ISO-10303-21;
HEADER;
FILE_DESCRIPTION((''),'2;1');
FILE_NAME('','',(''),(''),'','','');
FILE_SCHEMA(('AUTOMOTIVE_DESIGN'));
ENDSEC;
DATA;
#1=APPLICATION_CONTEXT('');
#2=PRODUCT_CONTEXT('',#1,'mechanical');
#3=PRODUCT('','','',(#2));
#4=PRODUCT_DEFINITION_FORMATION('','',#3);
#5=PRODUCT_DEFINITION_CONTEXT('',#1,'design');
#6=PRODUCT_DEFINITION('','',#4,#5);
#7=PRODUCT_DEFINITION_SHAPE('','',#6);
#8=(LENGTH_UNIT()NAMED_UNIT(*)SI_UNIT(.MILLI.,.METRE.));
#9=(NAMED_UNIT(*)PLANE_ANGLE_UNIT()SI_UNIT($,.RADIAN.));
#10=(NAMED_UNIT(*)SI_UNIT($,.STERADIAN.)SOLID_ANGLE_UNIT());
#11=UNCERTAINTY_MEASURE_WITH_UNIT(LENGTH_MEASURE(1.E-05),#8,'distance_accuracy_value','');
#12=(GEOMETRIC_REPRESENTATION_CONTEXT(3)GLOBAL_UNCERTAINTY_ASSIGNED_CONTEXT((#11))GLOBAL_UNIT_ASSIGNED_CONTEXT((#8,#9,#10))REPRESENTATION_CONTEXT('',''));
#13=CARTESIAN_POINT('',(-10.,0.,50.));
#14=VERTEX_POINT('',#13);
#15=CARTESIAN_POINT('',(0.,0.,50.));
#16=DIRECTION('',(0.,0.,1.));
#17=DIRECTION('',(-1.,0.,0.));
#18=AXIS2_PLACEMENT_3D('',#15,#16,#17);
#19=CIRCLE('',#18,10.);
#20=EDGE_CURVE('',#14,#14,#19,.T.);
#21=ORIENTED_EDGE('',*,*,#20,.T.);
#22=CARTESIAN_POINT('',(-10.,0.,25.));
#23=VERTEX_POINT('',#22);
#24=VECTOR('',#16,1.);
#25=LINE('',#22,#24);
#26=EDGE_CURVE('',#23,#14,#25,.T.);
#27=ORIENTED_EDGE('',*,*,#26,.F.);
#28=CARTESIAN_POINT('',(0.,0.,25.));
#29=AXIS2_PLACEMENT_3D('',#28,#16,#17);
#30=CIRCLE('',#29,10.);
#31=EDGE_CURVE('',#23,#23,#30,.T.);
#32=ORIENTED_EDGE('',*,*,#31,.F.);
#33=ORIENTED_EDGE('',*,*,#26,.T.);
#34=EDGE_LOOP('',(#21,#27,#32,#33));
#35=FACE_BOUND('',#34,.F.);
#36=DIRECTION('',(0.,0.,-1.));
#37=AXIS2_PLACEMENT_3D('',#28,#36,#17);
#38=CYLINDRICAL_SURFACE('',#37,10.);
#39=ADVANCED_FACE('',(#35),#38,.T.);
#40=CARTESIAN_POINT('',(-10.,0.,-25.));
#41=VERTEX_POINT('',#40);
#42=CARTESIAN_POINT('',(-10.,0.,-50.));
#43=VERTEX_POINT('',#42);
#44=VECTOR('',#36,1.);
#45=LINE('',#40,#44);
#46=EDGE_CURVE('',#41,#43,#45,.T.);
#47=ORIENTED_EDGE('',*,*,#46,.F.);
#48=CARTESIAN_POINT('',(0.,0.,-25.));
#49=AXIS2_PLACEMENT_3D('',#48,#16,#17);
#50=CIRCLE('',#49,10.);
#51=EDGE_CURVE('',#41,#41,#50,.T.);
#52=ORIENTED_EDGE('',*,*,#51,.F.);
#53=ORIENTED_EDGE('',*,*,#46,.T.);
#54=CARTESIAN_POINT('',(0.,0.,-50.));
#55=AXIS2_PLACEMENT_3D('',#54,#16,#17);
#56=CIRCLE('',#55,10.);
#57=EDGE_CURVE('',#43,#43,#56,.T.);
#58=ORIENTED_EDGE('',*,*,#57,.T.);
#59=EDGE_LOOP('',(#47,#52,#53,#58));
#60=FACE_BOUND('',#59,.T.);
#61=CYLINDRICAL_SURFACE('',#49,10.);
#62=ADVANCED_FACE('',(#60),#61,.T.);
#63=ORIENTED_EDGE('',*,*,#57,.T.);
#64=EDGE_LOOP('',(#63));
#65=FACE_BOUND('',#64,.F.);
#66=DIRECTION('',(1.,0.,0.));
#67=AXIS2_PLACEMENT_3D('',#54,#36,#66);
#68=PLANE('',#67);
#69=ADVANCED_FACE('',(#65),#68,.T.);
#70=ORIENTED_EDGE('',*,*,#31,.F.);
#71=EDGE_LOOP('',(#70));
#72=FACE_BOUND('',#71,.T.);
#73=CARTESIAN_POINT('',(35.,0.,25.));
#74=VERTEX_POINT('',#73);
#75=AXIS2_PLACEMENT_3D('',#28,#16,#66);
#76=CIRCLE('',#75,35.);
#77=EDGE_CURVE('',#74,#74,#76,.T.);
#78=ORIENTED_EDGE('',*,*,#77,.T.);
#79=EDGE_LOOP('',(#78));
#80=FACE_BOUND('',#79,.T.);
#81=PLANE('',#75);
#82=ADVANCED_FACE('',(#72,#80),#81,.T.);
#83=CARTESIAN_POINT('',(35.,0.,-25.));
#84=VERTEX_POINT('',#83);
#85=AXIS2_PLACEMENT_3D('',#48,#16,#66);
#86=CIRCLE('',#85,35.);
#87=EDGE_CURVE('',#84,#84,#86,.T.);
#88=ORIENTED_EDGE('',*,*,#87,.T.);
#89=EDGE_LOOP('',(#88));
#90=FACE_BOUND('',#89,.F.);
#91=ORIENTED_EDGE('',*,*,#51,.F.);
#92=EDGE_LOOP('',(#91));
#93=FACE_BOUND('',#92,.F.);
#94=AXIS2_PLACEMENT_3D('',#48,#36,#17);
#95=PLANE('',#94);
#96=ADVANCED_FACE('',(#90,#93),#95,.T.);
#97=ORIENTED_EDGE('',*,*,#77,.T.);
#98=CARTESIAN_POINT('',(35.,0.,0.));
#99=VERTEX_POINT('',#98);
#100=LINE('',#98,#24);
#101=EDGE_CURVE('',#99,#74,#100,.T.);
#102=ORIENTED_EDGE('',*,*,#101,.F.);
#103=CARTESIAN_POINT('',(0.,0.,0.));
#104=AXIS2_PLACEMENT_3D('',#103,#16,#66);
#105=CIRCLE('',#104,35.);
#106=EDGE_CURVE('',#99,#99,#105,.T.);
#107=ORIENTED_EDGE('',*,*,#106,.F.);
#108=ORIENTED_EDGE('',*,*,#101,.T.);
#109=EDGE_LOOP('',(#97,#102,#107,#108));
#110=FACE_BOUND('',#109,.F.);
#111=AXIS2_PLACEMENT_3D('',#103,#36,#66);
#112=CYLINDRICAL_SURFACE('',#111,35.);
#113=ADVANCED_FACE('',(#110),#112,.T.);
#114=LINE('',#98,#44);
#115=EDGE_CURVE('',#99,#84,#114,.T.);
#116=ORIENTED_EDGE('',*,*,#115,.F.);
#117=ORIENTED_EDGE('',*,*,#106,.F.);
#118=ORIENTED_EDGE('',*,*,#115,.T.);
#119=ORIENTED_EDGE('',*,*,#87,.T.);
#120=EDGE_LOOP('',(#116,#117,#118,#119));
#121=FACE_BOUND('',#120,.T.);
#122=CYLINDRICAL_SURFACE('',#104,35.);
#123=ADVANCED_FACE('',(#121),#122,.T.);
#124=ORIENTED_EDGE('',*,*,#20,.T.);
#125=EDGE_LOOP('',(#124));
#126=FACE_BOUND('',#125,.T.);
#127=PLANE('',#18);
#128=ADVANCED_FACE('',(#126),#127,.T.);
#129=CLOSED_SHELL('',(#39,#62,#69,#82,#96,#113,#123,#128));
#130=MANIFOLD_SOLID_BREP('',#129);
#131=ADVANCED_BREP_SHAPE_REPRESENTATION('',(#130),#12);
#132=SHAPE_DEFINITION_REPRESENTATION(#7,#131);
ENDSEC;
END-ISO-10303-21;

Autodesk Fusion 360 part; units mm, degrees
sketch "Sketch1" plane through (0, 0, 0) normal (0, 0, 1) x (1, 0, 0)
  circle A0 centre (0, 0) radius 35
  dimension "d1" = 70
extrude "Extrude1" add sketch "Sketch1" along normal blind 25
sketch "Sketch2" plane through (0, 0, 25) normal (0, 0, 1) x (-1, 0, 0)
  circle A0 centre (0, 0) radius 35
  circle A1 centre (0, 0) radius 10
  dimension "d4" = 20
extrude "Extrude2" add sketch "Sketch2" along normal blind 25 contours A1
mirror "Mirror1" about plane through (0, 0, 0) normal (0, 0, 1) of bodies 1 merged
